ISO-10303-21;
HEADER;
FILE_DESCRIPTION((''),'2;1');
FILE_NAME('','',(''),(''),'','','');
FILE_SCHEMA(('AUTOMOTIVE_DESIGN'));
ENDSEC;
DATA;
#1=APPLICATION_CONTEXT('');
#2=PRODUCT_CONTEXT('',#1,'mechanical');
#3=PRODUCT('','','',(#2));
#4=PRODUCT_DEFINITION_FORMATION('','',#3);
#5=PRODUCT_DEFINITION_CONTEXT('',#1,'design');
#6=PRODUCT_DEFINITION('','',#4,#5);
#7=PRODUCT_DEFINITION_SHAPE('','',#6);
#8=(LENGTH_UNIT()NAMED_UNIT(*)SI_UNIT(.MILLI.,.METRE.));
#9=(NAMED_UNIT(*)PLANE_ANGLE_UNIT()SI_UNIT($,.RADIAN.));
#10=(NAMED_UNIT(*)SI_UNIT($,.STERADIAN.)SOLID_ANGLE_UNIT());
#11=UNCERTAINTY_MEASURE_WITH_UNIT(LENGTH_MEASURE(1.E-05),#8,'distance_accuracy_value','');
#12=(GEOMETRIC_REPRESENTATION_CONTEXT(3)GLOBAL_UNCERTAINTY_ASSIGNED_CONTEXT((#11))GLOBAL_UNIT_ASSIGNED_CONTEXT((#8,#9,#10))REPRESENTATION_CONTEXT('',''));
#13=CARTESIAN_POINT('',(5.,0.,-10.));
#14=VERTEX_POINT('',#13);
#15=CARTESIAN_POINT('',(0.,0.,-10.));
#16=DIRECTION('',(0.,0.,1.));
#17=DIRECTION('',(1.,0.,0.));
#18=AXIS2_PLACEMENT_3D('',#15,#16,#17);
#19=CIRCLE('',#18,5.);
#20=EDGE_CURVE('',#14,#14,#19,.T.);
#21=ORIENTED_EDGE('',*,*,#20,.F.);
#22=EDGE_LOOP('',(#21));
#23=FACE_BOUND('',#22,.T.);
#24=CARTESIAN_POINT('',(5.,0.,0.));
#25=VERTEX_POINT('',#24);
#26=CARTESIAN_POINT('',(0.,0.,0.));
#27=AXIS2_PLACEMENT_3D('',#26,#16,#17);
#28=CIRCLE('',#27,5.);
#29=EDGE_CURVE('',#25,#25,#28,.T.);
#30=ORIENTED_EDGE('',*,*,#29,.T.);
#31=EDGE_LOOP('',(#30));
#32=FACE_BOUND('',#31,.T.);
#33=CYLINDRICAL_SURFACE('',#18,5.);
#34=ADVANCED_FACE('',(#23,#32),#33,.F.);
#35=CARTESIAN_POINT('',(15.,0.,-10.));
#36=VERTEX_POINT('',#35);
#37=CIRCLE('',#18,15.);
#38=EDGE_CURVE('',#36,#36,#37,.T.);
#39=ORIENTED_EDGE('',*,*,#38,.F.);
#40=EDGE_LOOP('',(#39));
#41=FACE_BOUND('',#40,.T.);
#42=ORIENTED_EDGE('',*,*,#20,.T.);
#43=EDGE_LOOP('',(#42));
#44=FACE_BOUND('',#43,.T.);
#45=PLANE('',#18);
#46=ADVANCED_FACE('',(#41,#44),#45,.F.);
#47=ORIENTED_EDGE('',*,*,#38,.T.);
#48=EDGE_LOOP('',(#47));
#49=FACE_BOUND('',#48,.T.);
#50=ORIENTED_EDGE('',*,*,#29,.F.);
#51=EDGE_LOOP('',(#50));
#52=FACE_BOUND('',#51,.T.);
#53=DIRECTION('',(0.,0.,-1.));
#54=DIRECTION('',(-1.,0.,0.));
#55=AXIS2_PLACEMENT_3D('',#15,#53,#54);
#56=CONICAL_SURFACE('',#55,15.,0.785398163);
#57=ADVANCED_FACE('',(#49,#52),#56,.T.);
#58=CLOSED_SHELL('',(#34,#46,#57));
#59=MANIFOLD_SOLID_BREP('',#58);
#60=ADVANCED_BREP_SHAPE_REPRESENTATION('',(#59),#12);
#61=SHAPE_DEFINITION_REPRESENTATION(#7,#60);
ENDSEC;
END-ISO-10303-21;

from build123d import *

# Parameters (mm, degrees)
SKETCH14_R         = 5
CUT_EXTRUDE1_DEPTH = 11


with BuildPart() as part:
    # Sketch1 → Revolve1 (revolve)
    with BuildSketch(Plane(origin=(0, 0, 0), x_dir=(1, 0, 0), z_dir=(0, 1, 0))):
        Polygon((0, 0), (-5, 0), (-15, 10), (0, 10), align=None)
    revolve(axis=Axis((0, 0, 0), (0, 0, -1)))

    # Sketch14 → Cut-Extrude1 (cut, through all)
    with BuildSketch(Plane.XY):
        Circle(SKETCH14_R)
    extrude(amount=-CUT_EXTRUDE1_DEPTH, mode=Mode.SUBTRACT)


solid = part.part
